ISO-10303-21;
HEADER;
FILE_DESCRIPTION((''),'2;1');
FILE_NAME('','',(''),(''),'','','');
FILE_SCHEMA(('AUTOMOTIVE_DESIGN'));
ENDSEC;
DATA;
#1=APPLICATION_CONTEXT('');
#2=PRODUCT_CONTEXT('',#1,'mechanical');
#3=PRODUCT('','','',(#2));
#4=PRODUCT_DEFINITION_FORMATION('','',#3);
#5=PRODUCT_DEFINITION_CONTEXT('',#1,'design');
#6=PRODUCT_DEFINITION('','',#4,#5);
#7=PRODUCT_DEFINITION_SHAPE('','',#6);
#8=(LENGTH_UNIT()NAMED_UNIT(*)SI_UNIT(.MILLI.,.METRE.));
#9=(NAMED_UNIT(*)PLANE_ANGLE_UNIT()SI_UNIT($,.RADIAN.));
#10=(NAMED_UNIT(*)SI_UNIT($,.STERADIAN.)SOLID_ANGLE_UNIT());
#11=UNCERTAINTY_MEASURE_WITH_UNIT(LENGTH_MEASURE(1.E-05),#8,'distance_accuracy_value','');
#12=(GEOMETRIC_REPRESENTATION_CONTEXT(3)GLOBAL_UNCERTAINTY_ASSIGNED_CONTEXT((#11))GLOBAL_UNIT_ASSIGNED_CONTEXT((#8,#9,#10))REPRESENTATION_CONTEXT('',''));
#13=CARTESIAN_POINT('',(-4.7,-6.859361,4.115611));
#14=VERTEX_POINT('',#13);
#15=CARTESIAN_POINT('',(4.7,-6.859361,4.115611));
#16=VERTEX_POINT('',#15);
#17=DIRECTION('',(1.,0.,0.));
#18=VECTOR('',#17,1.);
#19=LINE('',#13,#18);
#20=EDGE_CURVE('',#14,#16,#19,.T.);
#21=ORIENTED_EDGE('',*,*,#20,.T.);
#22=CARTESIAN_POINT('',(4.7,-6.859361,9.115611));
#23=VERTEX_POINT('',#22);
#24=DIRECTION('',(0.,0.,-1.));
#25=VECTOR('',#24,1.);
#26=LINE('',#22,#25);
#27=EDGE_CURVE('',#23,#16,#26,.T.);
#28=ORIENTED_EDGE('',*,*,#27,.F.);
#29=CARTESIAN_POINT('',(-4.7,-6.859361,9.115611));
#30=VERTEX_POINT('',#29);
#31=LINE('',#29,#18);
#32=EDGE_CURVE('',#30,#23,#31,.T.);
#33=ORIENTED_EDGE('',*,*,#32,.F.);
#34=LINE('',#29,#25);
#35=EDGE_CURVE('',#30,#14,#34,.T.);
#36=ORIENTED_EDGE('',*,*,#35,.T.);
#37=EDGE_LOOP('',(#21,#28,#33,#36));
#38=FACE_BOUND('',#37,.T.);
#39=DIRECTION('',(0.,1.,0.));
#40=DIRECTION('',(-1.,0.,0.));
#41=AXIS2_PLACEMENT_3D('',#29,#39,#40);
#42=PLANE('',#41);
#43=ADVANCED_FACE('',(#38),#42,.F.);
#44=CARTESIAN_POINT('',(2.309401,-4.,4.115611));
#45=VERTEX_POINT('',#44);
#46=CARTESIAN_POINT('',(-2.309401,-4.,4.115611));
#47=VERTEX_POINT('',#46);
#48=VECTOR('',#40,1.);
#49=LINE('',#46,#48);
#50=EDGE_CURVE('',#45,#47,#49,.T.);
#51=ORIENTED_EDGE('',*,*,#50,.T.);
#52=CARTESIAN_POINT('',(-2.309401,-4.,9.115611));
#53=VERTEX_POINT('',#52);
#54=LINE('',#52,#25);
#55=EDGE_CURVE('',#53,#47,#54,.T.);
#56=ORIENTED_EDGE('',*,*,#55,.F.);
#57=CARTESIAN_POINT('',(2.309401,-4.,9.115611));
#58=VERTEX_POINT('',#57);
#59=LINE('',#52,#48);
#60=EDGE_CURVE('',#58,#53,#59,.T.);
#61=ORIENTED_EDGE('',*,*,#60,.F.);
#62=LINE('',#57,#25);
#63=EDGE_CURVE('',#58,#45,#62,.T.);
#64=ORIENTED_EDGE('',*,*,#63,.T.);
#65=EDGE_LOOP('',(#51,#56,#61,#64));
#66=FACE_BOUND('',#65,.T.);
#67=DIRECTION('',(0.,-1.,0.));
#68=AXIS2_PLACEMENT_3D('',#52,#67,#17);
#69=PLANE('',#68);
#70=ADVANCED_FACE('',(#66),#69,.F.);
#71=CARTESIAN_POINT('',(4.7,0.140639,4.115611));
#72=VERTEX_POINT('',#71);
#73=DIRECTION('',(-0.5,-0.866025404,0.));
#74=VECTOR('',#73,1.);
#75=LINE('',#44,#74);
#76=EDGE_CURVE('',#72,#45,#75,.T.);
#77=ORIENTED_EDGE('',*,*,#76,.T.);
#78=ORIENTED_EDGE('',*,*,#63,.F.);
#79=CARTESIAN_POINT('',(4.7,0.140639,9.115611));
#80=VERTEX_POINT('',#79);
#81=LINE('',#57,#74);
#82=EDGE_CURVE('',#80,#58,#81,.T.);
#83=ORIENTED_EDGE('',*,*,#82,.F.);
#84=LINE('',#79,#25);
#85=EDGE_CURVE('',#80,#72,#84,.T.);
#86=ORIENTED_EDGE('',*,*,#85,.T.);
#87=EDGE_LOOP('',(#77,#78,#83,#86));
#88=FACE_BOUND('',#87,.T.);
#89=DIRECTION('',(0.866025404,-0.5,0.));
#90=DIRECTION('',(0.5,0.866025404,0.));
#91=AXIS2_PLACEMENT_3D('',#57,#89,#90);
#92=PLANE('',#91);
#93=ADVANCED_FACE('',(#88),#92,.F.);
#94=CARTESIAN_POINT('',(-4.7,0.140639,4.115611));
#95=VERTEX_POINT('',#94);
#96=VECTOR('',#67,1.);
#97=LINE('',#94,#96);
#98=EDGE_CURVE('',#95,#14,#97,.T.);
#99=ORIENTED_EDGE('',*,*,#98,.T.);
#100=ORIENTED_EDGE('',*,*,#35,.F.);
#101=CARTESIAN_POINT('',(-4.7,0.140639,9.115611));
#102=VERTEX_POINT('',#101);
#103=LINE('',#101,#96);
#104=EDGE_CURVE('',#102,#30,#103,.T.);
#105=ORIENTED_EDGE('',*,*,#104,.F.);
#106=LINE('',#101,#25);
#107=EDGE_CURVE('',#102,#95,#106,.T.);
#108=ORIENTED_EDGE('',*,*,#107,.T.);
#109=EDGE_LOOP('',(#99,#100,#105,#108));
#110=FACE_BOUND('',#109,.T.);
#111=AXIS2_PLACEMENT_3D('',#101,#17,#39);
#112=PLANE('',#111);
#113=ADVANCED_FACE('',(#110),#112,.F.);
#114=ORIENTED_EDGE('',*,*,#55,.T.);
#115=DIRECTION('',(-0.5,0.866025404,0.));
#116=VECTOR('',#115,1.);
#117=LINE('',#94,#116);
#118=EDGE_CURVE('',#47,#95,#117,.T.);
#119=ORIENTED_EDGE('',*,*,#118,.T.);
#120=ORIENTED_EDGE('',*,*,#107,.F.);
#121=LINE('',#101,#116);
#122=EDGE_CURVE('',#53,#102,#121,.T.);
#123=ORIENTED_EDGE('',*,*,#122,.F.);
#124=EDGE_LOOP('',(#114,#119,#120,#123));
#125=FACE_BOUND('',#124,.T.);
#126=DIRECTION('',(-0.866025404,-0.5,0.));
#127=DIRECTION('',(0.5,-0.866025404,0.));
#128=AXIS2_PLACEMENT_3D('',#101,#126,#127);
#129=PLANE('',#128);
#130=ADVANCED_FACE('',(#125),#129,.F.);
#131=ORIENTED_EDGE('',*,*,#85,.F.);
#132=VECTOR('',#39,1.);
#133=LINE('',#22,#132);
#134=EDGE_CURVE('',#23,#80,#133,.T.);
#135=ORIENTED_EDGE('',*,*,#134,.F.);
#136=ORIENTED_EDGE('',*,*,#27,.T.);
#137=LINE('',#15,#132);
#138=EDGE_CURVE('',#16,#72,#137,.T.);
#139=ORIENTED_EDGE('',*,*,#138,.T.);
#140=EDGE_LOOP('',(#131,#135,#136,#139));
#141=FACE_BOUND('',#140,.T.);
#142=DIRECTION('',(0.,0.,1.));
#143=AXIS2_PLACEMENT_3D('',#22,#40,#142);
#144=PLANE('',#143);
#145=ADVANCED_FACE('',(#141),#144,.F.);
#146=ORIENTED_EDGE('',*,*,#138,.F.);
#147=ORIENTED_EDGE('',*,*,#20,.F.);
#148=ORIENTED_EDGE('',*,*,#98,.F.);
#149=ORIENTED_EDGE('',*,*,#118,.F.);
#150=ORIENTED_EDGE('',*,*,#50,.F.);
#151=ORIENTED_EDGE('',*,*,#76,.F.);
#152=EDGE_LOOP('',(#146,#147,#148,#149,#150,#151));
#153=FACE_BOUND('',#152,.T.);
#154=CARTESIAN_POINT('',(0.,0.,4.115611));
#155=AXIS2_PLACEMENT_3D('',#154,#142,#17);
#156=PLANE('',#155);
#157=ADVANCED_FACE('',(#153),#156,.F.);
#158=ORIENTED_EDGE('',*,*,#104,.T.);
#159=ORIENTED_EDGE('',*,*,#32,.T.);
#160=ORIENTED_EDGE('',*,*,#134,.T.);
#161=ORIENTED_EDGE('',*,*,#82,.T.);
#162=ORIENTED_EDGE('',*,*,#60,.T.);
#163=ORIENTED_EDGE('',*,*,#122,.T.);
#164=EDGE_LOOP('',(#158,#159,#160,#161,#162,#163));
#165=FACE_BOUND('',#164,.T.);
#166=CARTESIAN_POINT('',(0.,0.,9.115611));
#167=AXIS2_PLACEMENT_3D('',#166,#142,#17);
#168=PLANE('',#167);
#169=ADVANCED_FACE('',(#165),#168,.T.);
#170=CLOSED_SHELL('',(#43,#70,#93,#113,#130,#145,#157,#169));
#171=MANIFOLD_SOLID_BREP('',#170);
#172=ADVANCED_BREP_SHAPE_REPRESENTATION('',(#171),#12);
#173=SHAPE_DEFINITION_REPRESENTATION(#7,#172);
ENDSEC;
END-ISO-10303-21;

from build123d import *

# Parameters (mm, degrees)
Y_KSEKLIK_EKSTR_ZYON1_DEPTH = 5


with BuildPart() as part:
    # Çizim1 → Yükseklik-Ekstrüzyon1 (new body)
    with BuildSketch(Plane.XY.offset(4.115610561)):
        Polygon((-4.7, 0.140638796), (-4.7, -6.859361204), (4.7, -6.859361204), (4.7, 0.140638796), (2.309401077, -4), (-2.309401077, -4), align=None)
    extrude(amount=Y_KSEKLIK_EKSTR_ZYON1_DEPTH)


solid = part.part
